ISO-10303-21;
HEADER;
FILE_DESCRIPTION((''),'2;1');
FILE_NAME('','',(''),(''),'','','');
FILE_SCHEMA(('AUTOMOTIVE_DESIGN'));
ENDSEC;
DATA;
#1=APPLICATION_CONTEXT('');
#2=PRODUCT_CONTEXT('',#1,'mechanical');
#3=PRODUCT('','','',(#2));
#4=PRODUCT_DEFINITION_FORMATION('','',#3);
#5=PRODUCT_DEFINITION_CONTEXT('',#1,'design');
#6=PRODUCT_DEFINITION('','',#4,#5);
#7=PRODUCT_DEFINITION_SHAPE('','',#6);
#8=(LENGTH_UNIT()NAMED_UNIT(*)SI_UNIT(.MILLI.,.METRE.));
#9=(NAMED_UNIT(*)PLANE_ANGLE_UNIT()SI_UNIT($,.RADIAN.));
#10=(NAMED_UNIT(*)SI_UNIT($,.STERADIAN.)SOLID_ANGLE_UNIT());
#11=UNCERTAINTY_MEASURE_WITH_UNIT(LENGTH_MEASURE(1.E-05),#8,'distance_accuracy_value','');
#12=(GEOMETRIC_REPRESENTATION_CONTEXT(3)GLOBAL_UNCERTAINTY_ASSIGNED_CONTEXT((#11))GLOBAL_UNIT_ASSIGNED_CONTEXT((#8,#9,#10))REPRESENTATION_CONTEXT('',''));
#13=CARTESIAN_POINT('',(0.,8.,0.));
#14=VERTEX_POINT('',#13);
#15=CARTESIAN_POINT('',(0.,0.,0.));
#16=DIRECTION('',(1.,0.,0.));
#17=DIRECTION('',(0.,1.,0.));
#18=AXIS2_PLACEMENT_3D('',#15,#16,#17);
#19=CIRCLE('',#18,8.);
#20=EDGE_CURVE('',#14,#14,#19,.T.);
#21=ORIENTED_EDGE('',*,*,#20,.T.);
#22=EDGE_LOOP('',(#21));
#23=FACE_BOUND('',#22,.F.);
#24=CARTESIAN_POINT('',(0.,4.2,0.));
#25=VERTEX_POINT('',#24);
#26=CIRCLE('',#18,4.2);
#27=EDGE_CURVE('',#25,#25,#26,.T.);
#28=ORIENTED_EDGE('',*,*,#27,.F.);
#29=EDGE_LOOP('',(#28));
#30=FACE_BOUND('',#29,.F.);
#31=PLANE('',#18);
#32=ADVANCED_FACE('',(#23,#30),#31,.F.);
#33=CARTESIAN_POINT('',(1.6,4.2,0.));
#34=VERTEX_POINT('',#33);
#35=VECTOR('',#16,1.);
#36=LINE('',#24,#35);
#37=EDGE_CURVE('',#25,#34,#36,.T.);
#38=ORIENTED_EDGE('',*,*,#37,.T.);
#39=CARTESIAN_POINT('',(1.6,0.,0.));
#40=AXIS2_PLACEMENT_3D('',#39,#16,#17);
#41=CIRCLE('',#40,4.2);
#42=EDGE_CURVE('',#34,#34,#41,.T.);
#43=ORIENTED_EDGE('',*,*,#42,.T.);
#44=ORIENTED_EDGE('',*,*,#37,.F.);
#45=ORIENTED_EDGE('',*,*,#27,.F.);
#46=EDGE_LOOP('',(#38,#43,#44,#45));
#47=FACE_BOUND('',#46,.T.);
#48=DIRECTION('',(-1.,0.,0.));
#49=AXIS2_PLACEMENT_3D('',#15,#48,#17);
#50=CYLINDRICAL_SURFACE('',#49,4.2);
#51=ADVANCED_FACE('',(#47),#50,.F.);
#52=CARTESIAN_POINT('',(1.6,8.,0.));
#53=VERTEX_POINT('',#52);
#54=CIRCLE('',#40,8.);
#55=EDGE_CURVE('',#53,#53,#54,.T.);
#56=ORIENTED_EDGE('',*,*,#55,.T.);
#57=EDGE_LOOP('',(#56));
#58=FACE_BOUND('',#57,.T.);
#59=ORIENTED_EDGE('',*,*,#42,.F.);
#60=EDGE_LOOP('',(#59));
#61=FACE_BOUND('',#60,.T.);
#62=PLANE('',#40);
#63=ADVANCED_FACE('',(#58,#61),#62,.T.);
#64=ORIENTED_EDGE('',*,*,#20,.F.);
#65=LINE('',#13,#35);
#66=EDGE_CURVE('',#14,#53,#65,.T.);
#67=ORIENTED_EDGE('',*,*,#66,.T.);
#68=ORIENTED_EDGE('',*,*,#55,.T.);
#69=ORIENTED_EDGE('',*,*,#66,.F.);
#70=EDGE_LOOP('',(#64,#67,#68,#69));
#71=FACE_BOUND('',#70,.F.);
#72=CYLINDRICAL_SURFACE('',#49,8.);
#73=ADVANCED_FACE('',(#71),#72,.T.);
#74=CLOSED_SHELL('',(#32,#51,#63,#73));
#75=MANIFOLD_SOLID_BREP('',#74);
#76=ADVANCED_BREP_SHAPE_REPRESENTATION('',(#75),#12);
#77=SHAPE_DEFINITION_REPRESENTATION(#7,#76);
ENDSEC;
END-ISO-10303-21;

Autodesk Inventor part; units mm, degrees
ref_plane "YZ Plane" through (0, 0, 0) normal (1, 0, 0) x (0, 1, 0)
ref_plane "XZ Plane" through (0, 0, 0) normal (0, 1, 0) x (-1, 0, 0)
sketch "Skizze" plane through (0, 0, 0) normal (1, 0, 0) x (0, 1, 0)
  circle A0 centre (0, 0) radius 8
  circle A1 centre (0, 0) radius 4.2
  dimension "d0" = 8.4
  dimension "d1" = 16
extrude "Körper" add sketch "Skizze" along normal blind 1.6
ref_plane "Work Plane1" through (0, 0, 0) normal (0, 0, 1) x (1, 0, 0)
equation "\"d0\" = SD1"
equation "\"d1\" = SD2"
equation "\"d2\" = SD"
equation "\"SD1\" = 8.4"
equation "\"SD2\" = 16"
equation "\"SD\" = 1.6"
equation "\"NND\" = 8"
properties part number "DIN 125 - A 8,4" material "Stahl, weich"
